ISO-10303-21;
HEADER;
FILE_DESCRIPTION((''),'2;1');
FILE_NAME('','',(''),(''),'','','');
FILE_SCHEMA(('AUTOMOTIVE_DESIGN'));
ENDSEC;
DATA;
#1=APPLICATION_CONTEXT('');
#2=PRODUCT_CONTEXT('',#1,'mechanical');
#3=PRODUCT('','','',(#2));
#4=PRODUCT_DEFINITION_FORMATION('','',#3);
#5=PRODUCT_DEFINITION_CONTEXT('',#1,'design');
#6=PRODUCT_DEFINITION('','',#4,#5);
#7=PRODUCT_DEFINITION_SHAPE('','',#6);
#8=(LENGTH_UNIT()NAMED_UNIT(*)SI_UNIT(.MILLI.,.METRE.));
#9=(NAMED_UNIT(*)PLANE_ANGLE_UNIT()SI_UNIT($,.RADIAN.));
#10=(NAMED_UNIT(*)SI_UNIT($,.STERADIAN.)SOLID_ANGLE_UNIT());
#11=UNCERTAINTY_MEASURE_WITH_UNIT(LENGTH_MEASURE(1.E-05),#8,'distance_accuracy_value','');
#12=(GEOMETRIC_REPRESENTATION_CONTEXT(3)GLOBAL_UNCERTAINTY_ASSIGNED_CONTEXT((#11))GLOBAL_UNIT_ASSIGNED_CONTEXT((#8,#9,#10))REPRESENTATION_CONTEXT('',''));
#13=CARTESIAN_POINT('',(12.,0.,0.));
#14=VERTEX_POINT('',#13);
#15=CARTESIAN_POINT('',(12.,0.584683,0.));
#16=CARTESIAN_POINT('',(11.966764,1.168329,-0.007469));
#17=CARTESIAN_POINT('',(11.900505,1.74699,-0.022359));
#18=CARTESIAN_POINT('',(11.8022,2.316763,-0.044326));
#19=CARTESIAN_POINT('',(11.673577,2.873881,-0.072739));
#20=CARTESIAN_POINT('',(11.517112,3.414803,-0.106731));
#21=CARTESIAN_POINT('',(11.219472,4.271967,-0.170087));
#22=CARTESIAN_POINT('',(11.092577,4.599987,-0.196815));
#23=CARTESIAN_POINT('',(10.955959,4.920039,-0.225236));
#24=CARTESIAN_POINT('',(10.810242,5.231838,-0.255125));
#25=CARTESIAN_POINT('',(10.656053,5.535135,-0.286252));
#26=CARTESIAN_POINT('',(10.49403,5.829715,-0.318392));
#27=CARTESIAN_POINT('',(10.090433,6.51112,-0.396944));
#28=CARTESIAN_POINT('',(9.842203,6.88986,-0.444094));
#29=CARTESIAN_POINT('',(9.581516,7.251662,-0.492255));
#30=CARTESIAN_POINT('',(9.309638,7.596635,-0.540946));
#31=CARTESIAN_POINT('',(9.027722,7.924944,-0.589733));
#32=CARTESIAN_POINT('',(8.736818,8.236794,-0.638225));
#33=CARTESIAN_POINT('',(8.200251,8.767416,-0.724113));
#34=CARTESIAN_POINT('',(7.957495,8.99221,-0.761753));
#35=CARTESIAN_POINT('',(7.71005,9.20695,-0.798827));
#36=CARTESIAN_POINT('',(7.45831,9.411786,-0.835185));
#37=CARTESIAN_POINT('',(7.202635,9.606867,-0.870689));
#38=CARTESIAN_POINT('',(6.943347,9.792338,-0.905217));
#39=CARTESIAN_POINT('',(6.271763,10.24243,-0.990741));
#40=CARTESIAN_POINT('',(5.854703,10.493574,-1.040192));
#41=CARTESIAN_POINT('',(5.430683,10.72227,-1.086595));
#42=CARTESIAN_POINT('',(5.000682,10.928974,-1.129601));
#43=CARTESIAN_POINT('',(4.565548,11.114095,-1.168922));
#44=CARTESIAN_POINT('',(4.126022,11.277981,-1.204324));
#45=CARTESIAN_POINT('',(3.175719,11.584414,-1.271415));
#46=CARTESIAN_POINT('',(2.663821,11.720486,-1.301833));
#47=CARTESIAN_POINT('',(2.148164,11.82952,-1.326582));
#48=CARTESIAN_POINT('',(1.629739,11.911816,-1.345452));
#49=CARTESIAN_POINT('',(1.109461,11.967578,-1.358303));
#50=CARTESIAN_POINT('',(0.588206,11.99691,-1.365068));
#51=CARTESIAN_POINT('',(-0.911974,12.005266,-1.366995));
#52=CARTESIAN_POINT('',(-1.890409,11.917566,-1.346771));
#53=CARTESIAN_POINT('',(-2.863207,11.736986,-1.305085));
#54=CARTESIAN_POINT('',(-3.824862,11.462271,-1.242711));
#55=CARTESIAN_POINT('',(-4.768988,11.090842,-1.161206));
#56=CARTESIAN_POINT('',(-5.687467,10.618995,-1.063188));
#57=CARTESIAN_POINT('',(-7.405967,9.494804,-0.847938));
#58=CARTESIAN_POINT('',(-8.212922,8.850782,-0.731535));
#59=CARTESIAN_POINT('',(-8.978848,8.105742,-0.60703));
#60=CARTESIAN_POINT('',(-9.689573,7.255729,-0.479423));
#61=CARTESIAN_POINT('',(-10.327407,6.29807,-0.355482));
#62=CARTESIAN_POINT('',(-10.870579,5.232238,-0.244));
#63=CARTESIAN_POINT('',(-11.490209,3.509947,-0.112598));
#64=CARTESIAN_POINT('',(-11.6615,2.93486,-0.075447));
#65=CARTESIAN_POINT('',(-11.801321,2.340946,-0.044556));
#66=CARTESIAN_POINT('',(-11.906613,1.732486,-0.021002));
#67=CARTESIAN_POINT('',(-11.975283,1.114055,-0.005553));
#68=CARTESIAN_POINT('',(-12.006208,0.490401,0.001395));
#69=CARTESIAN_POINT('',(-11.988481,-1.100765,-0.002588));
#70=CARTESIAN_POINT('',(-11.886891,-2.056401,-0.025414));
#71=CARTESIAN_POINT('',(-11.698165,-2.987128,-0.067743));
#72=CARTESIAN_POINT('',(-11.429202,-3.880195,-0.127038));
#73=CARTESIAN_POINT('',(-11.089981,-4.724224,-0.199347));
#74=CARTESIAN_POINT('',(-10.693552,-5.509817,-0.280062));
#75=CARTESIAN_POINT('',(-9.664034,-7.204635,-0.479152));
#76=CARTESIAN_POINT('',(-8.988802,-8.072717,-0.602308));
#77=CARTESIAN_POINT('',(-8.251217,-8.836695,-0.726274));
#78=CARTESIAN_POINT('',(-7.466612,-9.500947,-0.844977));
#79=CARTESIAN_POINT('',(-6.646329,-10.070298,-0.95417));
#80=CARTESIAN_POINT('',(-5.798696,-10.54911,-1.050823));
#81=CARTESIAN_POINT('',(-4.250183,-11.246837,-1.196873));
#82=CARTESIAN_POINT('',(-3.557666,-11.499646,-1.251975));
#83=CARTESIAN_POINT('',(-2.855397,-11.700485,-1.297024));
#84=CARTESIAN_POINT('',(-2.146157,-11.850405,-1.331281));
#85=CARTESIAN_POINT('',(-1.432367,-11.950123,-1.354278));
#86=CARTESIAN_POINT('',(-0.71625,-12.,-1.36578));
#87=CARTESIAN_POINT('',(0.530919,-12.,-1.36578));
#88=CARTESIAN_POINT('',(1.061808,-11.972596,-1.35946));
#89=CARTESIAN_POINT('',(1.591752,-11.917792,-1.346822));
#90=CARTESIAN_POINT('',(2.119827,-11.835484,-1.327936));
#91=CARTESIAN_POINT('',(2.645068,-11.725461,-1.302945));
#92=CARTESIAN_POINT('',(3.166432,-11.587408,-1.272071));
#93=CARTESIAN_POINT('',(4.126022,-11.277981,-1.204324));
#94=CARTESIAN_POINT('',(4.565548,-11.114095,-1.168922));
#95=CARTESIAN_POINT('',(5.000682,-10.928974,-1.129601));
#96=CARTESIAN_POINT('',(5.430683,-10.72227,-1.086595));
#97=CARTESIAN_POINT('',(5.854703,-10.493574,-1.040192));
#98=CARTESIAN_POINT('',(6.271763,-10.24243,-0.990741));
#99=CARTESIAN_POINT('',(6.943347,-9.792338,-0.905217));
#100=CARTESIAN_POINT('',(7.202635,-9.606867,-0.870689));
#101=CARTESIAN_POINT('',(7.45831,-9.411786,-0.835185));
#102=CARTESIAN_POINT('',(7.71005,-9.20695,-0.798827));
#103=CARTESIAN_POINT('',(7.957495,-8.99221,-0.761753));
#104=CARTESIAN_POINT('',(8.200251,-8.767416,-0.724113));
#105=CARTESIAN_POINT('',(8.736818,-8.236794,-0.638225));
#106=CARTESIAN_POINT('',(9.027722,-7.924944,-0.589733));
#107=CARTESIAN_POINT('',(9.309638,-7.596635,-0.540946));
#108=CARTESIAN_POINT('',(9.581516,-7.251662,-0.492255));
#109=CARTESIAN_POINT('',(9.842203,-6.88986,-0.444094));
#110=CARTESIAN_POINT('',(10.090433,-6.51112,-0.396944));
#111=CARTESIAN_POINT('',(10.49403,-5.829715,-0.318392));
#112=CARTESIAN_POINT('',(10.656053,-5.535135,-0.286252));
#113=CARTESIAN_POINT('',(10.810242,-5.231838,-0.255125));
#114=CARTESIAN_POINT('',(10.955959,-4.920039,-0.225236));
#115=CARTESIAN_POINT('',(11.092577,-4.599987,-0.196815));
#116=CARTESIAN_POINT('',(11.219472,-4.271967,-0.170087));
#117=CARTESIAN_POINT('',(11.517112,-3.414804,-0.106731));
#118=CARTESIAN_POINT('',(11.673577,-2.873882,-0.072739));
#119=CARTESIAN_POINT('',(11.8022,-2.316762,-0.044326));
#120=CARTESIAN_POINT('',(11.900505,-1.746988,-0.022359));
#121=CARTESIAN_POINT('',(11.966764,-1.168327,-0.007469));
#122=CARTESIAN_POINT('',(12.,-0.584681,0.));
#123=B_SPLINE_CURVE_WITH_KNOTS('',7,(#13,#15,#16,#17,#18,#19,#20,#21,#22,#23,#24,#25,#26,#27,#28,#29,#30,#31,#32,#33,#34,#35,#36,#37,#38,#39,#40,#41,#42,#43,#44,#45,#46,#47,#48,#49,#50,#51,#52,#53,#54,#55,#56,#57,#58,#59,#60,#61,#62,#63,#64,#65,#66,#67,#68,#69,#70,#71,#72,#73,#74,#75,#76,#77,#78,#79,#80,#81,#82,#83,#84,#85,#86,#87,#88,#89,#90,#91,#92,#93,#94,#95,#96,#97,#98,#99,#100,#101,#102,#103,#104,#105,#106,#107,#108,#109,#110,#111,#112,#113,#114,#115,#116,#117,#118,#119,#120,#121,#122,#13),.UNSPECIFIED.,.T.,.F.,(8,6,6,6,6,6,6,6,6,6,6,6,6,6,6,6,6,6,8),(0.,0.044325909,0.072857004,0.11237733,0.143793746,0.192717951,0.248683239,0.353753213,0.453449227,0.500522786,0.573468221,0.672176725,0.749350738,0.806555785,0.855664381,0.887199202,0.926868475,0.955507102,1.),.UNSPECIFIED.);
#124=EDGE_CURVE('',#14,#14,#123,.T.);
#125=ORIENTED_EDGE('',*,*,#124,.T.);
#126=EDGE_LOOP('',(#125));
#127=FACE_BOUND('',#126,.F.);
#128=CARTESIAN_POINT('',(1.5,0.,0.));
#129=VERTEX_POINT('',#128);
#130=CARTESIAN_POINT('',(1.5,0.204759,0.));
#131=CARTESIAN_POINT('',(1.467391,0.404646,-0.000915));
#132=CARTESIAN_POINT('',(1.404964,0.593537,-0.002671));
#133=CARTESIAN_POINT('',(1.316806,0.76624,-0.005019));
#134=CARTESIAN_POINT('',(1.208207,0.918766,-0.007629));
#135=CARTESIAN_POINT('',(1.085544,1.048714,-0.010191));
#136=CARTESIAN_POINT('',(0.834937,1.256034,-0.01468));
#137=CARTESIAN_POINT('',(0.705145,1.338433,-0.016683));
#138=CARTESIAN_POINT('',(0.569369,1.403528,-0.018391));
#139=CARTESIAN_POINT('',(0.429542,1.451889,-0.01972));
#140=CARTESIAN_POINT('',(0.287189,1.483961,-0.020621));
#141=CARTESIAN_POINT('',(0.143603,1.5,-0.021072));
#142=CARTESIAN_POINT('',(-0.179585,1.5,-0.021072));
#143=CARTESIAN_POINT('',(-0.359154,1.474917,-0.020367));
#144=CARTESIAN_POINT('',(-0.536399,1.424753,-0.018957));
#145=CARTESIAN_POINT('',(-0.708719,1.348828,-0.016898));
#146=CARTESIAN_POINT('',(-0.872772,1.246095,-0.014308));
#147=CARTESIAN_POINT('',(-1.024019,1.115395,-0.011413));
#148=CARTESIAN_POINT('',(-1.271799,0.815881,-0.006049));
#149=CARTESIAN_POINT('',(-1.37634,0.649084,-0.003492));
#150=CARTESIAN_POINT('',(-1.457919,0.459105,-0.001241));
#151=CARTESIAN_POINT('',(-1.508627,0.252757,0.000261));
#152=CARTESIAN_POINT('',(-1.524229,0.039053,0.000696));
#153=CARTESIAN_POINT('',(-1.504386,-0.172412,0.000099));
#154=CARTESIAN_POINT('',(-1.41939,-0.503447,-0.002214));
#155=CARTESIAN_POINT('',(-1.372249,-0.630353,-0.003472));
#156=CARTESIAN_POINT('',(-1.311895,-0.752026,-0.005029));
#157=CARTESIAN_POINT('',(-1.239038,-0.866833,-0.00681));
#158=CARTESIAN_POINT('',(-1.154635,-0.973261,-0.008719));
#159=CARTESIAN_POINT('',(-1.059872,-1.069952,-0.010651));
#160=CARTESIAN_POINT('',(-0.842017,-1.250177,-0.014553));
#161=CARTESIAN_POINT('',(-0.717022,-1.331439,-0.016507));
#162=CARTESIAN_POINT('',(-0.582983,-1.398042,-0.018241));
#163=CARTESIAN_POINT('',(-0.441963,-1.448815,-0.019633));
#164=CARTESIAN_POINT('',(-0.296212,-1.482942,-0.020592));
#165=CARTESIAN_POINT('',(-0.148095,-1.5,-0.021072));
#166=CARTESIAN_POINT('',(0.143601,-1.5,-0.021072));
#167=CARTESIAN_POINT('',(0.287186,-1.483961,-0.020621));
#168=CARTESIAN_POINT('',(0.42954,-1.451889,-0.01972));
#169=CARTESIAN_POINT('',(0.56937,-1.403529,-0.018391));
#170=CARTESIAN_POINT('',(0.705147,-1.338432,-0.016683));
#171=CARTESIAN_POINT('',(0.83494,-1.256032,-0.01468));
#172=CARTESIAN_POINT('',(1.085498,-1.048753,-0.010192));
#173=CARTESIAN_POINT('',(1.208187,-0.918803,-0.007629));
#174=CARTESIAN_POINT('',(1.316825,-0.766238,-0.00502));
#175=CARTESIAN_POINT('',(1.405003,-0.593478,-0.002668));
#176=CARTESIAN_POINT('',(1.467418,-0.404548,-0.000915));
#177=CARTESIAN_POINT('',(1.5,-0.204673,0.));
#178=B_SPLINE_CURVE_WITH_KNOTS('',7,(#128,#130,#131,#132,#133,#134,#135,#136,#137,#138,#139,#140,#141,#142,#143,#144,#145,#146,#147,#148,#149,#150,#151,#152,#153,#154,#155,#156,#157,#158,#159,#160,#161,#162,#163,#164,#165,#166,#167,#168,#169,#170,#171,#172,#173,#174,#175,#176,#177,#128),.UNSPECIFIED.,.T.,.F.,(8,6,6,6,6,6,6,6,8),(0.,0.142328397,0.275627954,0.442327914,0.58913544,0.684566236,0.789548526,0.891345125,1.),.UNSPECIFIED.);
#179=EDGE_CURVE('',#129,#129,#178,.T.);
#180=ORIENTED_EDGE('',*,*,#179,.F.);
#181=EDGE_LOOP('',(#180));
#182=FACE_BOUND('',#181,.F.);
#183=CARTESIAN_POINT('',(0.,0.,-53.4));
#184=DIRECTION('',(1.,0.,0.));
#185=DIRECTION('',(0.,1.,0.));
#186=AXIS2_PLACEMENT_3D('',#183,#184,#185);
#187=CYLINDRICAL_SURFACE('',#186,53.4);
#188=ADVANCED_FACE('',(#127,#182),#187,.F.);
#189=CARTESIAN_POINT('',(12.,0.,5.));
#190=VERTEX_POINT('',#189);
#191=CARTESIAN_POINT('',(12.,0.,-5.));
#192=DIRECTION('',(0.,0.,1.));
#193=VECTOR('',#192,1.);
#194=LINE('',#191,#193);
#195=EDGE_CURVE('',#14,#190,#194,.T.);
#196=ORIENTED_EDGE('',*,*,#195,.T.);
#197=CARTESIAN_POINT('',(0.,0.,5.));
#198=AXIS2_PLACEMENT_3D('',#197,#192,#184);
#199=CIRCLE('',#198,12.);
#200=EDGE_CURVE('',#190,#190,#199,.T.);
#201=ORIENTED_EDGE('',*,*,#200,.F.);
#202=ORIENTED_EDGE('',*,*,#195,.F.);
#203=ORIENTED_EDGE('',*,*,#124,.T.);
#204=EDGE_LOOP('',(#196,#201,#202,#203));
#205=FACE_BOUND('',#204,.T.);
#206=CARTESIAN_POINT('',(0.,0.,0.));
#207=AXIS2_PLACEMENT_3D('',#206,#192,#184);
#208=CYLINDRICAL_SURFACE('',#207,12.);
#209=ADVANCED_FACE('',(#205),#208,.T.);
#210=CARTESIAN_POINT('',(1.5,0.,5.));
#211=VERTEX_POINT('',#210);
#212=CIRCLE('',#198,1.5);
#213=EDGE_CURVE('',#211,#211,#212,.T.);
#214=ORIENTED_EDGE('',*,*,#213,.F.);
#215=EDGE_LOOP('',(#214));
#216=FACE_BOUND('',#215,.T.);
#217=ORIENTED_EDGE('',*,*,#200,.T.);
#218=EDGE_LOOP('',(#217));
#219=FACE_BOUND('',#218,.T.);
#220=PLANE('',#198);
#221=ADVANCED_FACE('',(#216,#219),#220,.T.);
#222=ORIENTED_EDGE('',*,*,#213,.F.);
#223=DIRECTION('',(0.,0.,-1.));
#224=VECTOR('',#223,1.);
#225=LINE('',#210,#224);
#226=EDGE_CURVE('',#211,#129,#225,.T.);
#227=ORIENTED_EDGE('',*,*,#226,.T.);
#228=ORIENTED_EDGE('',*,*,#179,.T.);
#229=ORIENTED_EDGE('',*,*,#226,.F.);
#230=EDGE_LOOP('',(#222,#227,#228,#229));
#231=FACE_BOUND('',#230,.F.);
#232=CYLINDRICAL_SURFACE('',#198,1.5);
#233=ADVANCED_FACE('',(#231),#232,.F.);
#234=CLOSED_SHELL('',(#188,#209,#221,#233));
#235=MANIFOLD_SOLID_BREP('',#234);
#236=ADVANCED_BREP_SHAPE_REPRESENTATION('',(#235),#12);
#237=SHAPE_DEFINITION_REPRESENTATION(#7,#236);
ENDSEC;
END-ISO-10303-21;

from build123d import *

# Parameters (mm, degrees)
F0_R     = 12
F1_DEPTH = 5
F2_R     = 53.4
F3_DEPTH = 12.5
F4_R     = 1.5
F5_DEPTH = 6.366781


with BuildPart() as f1:
    # F0 (on Top) → F1 (new body, symmetric)
    with BuildSketch(Plane.XY):
        Circle(F0_R)
    extrude(amount=F1_DEPTH, both=True)

    # F2 (on Right) → F3 (cut, symmetric)
    with BuildSketch(Plane.YZ):
        with Locations((0, -53.4)):
            Circle(F2_R)
    extrude(amount=F3_DEPTH, both=True, mode=Mode.SUBTRACT)

    # F4 (on face) → F5 (cut, through all)
    with BuildSketch(Plane.XY.offset(5)):
        Circle(F4_R)
    extrude(amount=-F5_DEPTH, mode=Mode.SUBTRACT)


solid = f1.part
